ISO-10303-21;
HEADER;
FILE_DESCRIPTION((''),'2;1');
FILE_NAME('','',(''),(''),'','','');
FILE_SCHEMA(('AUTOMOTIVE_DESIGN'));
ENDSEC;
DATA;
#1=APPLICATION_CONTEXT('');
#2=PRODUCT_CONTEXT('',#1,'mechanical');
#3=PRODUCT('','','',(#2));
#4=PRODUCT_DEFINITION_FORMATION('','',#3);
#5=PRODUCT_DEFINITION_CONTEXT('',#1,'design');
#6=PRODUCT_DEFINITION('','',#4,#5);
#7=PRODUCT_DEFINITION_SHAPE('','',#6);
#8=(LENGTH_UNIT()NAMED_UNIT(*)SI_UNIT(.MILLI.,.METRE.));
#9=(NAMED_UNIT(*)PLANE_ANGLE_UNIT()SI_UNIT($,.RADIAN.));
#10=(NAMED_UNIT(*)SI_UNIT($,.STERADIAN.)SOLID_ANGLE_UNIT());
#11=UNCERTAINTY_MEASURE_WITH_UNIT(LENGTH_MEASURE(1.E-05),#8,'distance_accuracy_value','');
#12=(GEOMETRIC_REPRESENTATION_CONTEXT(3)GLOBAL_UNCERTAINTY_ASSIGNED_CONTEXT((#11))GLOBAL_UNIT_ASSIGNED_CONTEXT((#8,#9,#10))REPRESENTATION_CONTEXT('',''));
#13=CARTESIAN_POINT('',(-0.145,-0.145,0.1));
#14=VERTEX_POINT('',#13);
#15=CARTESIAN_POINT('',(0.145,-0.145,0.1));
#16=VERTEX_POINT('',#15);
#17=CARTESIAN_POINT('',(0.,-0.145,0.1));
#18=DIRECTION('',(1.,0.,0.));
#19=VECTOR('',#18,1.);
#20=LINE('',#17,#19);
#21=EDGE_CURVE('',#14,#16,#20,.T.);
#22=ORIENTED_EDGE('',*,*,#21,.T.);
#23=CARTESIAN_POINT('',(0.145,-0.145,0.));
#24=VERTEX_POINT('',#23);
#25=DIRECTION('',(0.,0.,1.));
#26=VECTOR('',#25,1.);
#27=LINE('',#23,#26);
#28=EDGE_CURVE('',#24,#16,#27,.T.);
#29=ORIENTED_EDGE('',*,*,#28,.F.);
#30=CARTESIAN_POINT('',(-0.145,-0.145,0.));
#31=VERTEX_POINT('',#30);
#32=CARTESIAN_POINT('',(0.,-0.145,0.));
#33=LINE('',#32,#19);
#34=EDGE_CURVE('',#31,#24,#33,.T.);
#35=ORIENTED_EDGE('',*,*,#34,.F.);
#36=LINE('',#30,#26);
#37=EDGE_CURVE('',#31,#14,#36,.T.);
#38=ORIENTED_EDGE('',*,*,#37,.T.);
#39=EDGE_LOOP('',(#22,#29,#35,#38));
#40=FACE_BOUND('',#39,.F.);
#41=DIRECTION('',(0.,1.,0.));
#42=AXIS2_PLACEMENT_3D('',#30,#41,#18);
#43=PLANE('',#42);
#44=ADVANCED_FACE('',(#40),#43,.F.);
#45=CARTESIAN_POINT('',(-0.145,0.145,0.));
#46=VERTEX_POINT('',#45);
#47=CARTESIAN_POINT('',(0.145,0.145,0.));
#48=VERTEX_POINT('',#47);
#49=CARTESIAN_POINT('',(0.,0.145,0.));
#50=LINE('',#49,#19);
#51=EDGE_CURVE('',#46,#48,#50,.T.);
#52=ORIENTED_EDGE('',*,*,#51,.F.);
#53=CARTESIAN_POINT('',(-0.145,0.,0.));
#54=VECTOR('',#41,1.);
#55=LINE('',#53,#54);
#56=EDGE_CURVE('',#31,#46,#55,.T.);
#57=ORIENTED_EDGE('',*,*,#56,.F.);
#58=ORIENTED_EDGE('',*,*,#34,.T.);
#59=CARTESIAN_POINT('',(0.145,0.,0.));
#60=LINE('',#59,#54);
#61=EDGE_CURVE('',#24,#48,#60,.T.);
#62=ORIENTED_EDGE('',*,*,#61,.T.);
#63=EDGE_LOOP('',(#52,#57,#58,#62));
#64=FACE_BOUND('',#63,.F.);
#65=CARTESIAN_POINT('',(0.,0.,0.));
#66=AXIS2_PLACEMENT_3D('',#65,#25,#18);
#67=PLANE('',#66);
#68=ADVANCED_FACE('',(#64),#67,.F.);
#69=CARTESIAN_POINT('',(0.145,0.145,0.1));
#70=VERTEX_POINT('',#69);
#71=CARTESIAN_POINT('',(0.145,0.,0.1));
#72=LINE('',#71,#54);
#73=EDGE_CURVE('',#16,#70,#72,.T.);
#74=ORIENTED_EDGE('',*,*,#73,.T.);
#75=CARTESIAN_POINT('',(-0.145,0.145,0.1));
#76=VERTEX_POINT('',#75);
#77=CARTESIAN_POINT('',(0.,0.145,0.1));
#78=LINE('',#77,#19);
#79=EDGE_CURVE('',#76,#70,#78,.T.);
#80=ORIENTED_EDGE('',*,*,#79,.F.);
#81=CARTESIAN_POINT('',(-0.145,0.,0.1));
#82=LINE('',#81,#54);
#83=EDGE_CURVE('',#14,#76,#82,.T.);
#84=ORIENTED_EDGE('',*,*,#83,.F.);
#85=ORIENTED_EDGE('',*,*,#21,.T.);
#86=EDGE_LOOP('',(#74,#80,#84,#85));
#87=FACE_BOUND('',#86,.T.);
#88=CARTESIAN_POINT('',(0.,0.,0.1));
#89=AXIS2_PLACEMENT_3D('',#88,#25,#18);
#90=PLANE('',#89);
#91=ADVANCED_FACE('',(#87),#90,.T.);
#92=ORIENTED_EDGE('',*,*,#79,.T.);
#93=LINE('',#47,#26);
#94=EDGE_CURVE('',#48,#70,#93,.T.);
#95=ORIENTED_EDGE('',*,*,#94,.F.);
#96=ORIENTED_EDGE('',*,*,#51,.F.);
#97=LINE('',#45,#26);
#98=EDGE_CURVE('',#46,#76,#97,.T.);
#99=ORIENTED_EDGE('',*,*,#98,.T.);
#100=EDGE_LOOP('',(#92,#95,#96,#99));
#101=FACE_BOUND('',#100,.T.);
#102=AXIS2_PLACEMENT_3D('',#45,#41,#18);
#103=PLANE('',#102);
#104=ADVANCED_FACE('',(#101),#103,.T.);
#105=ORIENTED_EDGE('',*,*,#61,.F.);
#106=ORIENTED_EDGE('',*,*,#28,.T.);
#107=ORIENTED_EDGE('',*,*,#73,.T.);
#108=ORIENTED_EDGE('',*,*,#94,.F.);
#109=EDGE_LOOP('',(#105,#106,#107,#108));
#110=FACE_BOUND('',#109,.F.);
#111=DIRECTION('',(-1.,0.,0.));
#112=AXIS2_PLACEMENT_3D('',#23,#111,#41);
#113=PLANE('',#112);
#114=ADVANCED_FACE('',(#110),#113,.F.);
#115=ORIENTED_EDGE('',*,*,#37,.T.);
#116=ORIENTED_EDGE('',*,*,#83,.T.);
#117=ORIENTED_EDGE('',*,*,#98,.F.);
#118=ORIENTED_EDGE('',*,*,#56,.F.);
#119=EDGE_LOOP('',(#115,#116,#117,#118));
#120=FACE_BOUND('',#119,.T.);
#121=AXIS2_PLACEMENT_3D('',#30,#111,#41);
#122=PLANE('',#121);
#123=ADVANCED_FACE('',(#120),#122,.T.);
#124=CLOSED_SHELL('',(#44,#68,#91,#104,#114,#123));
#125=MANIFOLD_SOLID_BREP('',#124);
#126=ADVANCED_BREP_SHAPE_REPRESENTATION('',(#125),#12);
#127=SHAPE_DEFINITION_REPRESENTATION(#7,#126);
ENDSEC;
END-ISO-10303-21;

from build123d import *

# Parameters (mm, degrees)
SKETCH_W  = 0.29
SKETCH_H  = 0.29
PAD_DEPTH = 0.1


with BuildPart() as part:
    # Sketch → Pad (new body)
    with BuildSketch(Plane.XY):
        Rectangle(SKETCH_W, SKETCH_H)
    extrude(amount=PAD_DEPTH)


solid = part.part
